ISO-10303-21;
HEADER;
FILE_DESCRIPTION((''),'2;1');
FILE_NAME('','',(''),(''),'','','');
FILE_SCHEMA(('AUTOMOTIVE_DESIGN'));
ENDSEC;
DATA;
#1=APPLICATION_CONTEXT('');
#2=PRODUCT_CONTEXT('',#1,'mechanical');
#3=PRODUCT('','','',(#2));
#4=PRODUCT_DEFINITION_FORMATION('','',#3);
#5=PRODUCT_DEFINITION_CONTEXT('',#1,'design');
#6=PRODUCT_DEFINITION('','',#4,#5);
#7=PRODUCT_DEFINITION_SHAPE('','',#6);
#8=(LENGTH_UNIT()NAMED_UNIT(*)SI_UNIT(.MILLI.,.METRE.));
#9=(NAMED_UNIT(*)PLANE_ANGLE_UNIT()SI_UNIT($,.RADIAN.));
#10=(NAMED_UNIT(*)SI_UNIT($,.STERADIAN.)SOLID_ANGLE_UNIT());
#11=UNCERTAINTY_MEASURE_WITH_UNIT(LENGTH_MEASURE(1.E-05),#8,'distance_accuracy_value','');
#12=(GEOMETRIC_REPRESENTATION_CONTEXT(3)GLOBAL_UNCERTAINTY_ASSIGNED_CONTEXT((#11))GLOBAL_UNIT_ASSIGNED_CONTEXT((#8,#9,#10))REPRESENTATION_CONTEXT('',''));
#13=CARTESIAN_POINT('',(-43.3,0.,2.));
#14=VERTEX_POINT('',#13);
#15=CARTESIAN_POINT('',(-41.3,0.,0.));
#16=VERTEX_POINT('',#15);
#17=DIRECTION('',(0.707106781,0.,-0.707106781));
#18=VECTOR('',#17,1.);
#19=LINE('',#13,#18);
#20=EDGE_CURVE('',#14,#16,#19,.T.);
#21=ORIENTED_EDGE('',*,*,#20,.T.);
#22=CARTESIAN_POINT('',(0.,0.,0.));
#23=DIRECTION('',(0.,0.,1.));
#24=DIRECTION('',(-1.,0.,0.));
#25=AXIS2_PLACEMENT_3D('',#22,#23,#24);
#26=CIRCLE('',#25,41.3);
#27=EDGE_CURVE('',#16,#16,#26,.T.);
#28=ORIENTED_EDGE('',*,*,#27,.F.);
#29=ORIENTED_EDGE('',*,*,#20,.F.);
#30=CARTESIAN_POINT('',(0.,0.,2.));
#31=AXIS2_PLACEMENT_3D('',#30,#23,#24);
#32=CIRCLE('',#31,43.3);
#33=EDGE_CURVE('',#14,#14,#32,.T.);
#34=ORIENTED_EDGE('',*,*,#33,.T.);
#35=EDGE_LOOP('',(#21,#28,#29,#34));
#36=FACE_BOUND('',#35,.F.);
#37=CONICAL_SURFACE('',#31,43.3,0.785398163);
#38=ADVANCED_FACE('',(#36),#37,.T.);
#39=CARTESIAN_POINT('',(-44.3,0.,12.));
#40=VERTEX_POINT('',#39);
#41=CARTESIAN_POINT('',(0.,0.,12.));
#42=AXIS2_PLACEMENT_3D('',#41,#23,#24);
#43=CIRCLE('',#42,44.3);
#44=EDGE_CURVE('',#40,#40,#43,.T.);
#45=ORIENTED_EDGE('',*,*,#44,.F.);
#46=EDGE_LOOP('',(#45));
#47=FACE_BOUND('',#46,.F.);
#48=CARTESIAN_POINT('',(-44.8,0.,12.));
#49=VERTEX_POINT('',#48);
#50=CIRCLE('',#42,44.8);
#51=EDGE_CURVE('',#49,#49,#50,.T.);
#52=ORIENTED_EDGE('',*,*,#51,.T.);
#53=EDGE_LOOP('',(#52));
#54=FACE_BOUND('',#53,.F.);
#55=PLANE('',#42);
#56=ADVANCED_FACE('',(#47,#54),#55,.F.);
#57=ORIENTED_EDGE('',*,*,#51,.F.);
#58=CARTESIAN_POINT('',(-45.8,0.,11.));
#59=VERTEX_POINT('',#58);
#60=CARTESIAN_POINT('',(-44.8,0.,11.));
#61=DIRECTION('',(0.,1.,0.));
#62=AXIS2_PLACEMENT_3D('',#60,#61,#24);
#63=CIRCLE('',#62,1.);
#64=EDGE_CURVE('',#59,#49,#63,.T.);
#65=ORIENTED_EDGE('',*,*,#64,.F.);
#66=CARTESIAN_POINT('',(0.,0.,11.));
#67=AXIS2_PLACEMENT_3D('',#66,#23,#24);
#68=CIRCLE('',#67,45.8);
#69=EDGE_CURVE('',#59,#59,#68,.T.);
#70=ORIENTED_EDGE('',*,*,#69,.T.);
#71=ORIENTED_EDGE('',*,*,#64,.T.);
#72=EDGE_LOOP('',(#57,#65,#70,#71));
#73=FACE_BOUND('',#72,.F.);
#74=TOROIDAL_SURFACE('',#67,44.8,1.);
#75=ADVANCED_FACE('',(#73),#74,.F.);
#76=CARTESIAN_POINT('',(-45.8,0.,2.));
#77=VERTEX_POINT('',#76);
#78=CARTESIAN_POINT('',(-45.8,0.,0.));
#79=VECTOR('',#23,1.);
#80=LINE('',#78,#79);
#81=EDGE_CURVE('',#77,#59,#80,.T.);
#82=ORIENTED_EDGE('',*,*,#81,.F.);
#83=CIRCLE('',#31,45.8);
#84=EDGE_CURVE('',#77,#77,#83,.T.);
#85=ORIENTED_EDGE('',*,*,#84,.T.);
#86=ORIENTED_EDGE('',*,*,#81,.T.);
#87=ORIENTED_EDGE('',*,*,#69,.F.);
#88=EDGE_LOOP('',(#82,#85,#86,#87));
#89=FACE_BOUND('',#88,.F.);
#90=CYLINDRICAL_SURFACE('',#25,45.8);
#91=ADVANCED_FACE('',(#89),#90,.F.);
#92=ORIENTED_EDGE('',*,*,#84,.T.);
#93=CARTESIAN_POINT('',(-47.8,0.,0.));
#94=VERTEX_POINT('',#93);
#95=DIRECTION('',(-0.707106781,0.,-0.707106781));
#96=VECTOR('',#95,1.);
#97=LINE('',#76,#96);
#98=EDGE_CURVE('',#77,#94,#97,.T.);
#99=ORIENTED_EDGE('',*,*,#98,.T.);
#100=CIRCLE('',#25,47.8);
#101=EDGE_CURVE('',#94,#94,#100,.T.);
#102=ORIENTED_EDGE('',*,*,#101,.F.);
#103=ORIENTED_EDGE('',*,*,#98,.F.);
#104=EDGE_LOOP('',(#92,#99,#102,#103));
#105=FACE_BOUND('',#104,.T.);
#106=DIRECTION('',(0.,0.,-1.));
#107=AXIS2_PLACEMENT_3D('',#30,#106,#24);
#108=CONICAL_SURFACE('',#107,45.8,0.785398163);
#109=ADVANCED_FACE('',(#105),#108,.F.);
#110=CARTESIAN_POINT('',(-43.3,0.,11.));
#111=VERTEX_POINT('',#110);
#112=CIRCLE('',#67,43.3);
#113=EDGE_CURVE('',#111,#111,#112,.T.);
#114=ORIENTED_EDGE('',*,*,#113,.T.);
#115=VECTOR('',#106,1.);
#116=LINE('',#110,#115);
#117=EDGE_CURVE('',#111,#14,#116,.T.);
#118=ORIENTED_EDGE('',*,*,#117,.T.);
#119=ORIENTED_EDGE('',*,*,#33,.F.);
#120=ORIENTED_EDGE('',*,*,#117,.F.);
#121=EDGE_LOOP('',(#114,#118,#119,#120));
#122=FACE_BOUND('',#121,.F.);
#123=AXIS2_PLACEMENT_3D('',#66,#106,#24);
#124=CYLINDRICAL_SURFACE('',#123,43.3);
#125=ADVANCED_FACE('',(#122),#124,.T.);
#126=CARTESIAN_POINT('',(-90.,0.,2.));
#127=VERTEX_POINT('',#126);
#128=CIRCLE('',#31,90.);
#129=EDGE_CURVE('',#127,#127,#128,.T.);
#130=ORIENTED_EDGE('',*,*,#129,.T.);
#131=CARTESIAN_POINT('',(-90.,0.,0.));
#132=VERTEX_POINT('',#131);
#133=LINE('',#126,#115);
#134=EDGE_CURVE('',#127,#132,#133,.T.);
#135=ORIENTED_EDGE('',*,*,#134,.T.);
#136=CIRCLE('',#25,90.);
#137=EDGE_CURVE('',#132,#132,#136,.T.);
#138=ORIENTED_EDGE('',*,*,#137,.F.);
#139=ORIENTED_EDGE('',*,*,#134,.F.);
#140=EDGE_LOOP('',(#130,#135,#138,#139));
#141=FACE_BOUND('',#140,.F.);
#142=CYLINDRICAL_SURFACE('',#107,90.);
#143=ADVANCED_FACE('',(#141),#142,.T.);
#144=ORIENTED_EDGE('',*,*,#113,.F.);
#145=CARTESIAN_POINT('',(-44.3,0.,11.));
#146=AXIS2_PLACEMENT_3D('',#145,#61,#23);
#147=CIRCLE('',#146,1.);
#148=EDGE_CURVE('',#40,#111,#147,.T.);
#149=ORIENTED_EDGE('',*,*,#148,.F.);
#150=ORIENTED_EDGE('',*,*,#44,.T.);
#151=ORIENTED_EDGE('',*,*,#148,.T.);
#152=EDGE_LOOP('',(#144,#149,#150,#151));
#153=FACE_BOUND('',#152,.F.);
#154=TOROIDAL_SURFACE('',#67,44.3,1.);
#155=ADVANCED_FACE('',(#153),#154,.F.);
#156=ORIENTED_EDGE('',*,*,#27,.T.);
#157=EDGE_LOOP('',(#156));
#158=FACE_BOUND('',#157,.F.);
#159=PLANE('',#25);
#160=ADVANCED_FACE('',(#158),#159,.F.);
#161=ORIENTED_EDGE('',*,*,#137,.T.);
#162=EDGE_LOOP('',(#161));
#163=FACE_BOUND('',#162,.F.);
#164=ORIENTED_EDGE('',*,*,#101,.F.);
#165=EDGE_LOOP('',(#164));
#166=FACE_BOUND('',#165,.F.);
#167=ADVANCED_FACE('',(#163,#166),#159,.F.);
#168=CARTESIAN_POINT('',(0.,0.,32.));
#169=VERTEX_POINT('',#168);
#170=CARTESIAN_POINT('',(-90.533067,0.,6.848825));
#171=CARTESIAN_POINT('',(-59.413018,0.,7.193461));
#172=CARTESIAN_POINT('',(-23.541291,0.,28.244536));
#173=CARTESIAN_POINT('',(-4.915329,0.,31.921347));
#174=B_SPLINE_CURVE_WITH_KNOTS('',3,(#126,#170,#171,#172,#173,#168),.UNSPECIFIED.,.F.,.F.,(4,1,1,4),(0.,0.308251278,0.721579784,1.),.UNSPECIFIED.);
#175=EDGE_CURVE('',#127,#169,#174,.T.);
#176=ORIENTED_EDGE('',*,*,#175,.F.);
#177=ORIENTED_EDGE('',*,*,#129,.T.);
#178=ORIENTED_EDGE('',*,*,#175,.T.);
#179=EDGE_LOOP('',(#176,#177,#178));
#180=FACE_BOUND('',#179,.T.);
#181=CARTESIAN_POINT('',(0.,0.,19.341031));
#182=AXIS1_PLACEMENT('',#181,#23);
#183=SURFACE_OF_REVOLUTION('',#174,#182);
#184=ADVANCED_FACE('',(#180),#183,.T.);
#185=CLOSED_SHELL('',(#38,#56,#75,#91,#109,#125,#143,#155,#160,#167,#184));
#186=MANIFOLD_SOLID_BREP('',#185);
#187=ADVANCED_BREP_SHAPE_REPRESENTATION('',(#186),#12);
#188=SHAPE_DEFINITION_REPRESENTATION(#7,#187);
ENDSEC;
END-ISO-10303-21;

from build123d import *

# Parameters (mm, degrees)
F2_SIZE = 2


with BuildPart() as f1:
    # F0 (on Front) → F1 (revolve)
    with BuildSketch(Plane.XZ):
        with BuildLine():
            Line((-45.8, 0), (-45.8, 11))
            ThreePointArc((-45.8, 11), (-45.5071067812, 11.7071067812), (-44.8, 12))
            Line((-44.8, 12), (-44.3, 12))
            ThreePointArc((-44.3, 12), (-43.5928932188, 11.7071067812), (-43.3, 11))
            Line((-43.3, 11), (-43.3, 0))
            Line((-43.3, 0), (0, 0))
            Line((0, 0), (0, 32))
            add(Edge.make_bspline(
                [(-90, 2), (-90.5330671849, 6.8488253632), (-59.4130176149, 7.1934611227), (-23.5412910562, 28.2445364194), (-4.9153288672, 31.9213468405), (0, 32)],
                knots=[0, 0, 0, 0, 0.3082512777, 0.7215797844, 1, 1, 1, 1], degree=3))
            Line((-90, 2), (-90, 0))
            Line((-90, 0), (-45.8, 0))
        make_face()
    revolve(axis=Axis((0, 0, 19.3410310894), (0, 0, 1)))

    # F2
    f2_edges = [f1.edges().sort_by_distance(p)[0] for p in [
        (43.3, 0, 0),
        (45.8, 0, 0),
    ]]
    chamfer(f2_edges, length=F2_SIZE)


solid = f1.part
